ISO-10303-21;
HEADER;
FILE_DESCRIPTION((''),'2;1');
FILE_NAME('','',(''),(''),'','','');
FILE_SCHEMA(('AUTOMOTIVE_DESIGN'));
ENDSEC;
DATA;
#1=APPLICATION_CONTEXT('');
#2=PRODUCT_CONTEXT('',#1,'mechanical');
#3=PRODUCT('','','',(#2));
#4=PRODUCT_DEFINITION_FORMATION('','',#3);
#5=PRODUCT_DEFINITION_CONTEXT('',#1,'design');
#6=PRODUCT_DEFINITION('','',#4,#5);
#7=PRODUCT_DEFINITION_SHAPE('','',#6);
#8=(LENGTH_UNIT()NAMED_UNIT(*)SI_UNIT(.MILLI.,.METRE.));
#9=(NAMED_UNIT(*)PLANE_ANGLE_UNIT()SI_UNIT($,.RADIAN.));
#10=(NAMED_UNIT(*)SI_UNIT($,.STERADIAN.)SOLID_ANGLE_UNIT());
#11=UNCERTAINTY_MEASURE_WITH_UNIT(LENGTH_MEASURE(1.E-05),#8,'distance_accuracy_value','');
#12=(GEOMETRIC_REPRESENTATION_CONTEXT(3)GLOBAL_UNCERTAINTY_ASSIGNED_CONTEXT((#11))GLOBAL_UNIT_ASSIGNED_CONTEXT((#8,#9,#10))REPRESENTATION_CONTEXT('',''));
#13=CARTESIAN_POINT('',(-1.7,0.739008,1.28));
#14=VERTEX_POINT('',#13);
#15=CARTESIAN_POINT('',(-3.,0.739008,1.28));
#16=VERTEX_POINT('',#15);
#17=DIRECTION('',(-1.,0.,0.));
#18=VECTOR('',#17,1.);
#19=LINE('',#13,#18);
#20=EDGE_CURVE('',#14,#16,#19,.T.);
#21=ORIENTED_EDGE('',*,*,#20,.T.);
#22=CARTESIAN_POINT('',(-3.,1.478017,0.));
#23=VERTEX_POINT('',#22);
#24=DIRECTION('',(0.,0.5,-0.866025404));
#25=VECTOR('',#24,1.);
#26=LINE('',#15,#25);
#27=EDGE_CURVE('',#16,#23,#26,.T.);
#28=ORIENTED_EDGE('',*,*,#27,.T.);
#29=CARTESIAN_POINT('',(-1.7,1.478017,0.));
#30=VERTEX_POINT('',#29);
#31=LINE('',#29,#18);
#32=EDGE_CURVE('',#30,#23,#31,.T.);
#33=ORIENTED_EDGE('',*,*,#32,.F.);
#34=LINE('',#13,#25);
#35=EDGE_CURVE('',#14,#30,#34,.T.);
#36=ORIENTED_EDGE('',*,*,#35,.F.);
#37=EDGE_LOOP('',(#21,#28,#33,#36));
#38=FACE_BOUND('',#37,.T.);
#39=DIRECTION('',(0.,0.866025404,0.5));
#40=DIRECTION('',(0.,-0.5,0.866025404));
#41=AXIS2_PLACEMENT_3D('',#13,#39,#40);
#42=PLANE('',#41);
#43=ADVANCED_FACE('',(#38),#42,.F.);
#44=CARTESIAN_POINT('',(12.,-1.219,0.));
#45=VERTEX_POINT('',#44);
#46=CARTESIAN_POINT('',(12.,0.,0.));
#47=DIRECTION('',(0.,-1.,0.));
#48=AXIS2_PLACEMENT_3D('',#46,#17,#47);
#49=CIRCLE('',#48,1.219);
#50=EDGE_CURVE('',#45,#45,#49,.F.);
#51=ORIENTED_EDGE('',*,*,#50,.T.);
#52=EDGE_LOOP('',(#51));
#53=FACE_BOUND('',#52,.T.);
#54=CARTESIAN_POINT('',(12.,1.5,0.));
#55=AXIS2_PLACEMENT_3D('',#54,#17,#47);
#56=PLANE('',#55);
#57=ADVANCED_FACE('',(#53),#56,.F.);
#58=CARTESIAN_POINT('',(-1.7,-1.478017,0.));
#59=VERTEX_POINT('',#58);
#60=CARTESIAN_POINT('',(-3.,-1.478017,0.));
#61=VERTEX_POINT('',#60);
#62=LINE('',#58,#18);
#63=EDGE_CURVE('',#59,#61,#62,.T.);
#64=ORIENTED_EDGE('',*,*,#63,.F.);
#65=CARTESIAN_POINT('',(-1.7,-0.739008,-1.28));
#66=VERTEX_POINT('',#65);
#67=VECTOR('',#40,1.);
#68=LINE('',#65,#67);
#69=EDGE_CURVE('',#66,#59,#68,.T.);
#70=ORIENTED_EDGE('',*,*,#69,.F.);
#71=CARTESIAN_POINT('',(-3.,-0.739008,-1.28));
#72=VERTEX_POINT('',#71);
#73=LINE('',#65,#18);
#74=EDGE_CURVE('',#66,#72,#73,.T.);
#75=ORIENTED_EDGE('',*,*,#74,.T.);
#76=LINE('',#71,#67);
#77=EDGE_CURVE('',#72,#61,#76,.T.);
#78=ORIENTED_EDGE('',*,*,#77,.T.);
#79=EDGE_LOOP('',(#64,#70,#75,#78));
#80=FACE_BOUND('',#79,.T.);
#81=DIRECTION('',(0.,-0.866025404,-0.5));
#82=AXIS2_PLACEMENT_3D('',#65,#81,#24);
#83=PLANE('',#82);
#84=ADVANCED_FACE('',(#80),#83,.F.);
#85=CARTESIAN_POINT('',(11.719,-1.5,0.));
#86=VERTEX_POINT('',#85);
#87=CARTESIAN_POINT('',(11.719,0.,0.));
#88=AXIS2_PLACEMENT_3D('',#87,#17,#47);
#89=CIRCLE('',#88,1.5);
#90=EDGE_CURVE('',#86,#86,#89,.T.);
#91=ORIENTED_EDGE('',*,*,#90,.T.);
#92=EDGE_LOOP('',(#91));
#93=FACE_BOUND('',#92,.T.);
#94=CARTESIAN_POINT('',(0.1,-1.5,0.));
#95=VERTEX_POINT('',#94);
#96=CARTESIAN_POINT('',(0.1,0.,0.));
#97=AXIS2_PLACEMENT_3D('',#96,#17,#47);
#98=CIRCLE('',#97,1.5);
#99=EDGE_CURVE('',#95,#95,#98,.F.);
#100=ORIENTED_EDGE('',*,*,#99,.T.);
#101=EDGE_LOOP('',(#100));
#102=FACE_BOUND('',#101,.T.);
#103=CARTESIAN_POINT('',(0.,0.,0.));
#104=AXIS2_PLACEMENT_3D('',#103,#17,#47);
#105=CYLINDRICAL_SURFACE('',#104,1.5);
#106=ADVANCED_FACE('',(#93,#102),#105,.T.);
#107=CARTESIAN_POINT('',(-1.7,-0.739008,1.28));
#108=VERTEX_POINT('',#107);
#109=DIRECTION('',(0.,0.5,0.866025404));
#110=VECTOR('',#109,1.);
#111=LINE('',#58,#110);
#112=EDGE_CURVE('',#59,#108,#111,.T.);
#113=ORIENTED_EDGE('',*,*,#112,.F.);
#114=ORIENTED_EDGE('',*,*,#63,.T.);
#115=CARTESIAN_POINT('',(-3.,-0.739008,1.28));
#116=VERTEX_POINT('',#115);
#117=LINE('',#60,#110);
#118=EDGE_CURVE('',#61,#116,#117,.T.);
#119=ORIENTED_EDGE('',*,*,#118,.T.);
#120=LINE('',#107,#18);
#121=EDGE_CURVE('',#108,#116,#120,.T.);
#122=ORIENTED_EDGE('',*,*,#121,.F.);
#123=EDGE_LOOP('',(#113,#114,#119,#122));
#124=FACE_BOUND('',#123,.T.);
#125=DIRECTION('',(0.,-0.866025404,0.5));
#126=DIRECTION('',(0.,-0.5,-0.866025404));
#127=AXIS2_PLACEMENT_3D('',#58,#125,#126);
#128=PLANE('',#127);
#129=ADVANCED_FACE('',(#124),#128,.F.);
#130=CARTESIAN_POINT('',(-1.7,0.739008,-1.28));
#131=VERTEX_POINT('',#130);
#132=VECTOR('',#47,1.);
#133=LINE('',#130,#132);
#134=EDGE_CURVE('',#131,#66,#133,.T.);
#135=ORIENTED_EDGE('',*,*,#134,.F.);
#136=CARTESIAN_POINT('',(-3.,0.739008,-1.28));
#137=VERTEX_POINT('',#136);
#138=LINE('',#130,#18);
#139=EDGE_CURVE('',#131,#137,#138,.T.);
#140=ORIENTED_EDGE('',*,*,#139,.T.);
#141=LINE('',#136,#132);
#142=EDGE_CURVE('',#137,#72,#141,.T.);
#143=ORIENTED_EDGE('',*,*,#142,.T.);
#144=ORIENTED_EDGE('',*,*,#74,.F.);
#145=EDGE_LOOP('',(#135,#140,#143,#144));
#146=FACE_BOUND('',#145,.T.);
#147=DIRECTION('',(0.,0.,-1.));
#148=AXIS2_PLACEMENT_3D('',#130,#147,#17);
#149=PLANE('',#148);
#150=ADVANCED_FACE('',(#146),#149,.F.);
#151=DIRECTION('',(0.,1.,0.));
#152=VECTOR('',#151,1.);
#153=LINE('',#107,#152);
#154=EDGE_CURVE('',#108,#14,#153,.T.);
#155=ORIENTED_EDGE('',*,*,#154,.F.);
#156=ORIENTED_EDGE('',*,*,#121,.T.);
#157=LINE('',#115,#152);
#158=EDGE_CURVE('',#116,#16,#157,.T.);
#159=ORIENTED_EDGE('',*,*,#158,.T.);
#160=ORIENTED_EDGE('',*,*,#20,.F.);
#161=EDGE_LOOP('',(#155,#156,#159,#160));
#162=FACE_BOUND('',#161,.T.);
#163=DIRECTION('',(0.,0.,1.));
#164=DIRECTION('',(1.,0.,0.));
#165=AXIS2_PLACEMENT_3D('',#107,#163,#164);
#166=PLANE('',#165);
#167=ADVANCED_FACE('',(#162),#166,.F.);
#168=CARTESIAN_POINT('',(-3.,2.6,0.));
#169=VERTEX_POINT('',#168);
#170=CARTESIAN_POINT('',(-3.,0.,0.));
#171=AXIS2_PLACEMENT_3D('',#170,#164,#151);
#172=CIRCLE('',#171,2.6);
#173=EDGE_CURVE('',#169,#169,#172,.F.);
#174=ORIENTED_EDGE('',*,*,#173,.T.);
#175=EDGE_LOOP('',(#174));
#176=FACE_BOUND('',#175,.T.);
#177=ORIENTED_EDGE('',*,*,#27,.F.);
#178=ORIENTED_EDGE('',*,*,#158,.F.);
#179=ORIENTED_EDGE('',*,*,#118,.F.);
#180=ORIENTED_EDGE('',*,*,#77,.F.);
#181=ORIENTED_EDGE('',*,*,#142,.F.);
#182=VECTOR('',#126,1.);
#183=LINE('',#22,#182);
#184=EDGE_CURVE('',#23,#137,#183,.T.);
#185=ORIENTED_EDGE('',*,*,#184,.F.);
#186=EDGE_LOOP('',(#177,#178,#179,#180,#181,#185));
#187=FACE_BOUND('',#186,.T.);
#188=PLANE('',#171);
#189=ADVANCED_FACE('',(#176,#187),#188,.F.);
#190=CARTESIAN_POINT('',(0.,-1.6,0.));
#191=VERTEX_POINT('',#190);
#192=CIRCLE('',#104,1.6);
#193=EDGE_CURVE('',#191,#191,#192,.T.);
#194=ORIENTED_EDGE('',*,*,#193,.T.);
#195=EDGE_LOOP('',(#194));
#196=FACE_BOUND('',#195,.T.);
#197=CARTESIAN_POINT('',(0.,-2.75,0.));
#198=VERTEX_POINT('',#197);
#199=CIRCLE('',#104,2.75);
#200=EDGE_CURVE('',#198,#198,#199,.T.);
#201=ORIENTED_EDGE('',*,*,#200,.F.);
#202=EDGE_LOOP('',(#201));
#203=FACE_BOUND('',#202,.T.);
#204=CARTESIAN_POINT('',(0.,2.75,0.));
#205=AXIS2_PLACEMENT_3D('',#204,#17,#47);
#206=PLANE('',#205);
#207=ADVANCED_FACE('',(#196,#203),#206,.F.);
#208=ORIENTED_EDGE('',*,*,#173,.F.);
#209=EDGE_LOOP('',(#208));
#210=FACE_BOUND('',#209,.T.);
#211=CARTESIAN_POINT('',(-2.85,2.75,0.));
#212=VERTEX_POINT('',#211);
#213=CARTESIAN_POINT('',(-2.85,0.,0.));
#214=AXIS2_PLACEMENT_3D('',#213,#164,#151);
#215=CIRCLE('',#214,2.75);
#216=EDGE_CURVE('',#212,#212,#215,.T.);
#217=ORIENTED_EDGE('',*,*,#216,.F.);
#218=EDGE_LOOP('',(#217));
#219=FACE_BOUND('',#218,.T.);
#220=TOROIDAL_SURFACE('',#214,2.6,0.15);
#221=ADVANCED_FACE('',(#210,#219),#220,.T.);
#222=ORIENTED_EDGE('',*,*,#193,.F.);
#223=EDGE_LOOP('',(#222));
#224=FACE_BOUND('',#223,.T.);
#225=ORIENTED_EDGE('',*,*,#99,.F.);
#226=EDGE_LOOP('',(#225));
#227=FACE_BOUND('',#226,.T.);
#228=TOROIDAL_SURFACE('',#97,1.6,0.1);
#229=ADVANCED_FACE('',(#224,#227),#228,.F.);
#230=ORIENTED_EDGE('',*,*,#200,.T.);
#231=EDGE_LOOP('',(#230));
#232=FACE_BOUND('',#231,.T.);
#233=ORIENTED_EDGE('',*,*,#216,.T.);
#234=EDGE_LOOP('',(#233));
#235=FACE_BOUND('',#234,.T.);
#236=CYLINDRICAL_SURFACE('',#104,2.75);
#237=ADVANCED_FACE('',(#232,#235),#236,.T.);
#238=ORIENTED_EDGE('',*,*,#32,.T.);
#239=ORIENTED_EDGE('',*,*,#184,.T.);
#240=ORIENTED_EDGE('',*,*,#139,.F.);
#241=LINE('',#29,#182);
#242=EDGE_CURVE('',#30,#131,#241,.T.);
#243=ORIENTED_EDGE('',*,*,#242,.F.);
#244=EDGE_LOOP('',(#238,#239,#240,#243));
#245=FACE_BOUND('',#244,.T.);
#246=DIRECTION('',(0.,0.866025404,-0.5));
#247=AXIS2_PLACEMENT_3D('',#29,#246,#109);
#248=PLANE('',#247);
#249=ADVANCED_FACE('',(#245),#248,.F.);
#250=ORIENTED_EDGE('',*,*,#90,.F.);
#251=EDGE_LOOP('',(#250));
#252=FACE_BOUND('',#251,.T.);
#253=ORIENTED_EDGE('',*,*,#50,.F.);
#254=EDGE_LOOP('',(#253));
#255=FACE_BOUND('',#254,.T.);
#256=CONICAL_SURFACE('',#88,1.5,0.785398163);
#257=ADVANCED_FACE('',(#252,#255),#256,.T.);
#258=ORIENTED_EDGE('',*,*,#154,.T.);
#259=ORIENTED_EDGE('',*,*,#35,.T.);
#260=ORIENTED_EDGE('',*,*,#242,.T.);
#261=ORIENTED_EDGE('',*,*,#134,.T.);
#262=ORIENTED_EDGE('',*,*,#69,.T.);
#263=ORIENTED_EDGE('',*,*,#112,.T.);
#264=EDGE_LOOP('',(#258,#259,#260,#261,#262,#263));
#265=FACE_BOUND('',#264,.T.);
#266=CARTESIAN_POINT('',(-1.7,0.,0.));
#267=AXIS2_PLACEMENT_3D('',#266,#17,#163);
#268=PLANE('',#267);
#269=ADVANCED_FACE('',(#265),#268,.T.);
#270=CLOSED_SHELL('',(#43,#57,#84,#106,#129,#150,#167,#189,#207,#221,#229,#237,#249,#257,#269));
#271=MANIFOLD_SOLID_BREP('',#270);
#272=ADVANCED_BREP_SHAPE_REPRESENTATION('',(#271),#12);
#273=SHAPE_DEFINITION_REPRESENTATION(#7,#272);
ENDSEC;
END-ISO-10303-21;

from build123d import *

# Parameters (mm, degrees)
CUT_EXTRUDE1_DEPTH = 1.3
FILLET1_R          = 0.15
CHAMFER1_SIZE      = 0.281
FILLET2_R          = 0.1


with BuildPart() as part:
    # Sketch1 → Revolve1 (revolve)
    with BuildSketch(Plane.XY):
        Polygon((-3, 0), (-3, 2.75), (0, 2.75), (0, 1.5), (12, 1.5), (12, 0), align=None)
    revolve(axis=Axis((0, 0, 0), (1, 0, 0)))

    # Sketch2 → Cut-Extrude1 (cut)
    with BuildSketch(Plane.ZY.offset(3)):
        Polygon((0, 1.478016689), (-1.28, 0.739008345), (-1.28, -0.739008345), (0, -1.478016689), (1.28, -0.739008345), (1.28, 0.739008345), align=None)
    extrude(amount=-CUT_EXTRUDE1_DEPTH, mode=Mode.SUBTRACT)

    # Fillet1
    fillet1_edges = [part.edges().sort_by_distance(p)[0] for p in [
        (-3, -2.75, 0),
    ]]
    fillet(fillet1_edges, radius=FILLET1_R)

    # Chamfer1
    chamfer1_edges = [part.edges().sort_by_distance(p)[0] for p in [
        (12, -1.5, 0),
    ]]
    chamfer(chamfer1_edges, length=CHAMFER1_SIZE)

    # Fillet2
    fillet2_edges = [part.edges().sort_by_distance(p)[0] for p in [
        (0, -1.5, 0),
    ]]
    fillet(fillet2_edges, radius=FILLET2_R)


solid = part.part
